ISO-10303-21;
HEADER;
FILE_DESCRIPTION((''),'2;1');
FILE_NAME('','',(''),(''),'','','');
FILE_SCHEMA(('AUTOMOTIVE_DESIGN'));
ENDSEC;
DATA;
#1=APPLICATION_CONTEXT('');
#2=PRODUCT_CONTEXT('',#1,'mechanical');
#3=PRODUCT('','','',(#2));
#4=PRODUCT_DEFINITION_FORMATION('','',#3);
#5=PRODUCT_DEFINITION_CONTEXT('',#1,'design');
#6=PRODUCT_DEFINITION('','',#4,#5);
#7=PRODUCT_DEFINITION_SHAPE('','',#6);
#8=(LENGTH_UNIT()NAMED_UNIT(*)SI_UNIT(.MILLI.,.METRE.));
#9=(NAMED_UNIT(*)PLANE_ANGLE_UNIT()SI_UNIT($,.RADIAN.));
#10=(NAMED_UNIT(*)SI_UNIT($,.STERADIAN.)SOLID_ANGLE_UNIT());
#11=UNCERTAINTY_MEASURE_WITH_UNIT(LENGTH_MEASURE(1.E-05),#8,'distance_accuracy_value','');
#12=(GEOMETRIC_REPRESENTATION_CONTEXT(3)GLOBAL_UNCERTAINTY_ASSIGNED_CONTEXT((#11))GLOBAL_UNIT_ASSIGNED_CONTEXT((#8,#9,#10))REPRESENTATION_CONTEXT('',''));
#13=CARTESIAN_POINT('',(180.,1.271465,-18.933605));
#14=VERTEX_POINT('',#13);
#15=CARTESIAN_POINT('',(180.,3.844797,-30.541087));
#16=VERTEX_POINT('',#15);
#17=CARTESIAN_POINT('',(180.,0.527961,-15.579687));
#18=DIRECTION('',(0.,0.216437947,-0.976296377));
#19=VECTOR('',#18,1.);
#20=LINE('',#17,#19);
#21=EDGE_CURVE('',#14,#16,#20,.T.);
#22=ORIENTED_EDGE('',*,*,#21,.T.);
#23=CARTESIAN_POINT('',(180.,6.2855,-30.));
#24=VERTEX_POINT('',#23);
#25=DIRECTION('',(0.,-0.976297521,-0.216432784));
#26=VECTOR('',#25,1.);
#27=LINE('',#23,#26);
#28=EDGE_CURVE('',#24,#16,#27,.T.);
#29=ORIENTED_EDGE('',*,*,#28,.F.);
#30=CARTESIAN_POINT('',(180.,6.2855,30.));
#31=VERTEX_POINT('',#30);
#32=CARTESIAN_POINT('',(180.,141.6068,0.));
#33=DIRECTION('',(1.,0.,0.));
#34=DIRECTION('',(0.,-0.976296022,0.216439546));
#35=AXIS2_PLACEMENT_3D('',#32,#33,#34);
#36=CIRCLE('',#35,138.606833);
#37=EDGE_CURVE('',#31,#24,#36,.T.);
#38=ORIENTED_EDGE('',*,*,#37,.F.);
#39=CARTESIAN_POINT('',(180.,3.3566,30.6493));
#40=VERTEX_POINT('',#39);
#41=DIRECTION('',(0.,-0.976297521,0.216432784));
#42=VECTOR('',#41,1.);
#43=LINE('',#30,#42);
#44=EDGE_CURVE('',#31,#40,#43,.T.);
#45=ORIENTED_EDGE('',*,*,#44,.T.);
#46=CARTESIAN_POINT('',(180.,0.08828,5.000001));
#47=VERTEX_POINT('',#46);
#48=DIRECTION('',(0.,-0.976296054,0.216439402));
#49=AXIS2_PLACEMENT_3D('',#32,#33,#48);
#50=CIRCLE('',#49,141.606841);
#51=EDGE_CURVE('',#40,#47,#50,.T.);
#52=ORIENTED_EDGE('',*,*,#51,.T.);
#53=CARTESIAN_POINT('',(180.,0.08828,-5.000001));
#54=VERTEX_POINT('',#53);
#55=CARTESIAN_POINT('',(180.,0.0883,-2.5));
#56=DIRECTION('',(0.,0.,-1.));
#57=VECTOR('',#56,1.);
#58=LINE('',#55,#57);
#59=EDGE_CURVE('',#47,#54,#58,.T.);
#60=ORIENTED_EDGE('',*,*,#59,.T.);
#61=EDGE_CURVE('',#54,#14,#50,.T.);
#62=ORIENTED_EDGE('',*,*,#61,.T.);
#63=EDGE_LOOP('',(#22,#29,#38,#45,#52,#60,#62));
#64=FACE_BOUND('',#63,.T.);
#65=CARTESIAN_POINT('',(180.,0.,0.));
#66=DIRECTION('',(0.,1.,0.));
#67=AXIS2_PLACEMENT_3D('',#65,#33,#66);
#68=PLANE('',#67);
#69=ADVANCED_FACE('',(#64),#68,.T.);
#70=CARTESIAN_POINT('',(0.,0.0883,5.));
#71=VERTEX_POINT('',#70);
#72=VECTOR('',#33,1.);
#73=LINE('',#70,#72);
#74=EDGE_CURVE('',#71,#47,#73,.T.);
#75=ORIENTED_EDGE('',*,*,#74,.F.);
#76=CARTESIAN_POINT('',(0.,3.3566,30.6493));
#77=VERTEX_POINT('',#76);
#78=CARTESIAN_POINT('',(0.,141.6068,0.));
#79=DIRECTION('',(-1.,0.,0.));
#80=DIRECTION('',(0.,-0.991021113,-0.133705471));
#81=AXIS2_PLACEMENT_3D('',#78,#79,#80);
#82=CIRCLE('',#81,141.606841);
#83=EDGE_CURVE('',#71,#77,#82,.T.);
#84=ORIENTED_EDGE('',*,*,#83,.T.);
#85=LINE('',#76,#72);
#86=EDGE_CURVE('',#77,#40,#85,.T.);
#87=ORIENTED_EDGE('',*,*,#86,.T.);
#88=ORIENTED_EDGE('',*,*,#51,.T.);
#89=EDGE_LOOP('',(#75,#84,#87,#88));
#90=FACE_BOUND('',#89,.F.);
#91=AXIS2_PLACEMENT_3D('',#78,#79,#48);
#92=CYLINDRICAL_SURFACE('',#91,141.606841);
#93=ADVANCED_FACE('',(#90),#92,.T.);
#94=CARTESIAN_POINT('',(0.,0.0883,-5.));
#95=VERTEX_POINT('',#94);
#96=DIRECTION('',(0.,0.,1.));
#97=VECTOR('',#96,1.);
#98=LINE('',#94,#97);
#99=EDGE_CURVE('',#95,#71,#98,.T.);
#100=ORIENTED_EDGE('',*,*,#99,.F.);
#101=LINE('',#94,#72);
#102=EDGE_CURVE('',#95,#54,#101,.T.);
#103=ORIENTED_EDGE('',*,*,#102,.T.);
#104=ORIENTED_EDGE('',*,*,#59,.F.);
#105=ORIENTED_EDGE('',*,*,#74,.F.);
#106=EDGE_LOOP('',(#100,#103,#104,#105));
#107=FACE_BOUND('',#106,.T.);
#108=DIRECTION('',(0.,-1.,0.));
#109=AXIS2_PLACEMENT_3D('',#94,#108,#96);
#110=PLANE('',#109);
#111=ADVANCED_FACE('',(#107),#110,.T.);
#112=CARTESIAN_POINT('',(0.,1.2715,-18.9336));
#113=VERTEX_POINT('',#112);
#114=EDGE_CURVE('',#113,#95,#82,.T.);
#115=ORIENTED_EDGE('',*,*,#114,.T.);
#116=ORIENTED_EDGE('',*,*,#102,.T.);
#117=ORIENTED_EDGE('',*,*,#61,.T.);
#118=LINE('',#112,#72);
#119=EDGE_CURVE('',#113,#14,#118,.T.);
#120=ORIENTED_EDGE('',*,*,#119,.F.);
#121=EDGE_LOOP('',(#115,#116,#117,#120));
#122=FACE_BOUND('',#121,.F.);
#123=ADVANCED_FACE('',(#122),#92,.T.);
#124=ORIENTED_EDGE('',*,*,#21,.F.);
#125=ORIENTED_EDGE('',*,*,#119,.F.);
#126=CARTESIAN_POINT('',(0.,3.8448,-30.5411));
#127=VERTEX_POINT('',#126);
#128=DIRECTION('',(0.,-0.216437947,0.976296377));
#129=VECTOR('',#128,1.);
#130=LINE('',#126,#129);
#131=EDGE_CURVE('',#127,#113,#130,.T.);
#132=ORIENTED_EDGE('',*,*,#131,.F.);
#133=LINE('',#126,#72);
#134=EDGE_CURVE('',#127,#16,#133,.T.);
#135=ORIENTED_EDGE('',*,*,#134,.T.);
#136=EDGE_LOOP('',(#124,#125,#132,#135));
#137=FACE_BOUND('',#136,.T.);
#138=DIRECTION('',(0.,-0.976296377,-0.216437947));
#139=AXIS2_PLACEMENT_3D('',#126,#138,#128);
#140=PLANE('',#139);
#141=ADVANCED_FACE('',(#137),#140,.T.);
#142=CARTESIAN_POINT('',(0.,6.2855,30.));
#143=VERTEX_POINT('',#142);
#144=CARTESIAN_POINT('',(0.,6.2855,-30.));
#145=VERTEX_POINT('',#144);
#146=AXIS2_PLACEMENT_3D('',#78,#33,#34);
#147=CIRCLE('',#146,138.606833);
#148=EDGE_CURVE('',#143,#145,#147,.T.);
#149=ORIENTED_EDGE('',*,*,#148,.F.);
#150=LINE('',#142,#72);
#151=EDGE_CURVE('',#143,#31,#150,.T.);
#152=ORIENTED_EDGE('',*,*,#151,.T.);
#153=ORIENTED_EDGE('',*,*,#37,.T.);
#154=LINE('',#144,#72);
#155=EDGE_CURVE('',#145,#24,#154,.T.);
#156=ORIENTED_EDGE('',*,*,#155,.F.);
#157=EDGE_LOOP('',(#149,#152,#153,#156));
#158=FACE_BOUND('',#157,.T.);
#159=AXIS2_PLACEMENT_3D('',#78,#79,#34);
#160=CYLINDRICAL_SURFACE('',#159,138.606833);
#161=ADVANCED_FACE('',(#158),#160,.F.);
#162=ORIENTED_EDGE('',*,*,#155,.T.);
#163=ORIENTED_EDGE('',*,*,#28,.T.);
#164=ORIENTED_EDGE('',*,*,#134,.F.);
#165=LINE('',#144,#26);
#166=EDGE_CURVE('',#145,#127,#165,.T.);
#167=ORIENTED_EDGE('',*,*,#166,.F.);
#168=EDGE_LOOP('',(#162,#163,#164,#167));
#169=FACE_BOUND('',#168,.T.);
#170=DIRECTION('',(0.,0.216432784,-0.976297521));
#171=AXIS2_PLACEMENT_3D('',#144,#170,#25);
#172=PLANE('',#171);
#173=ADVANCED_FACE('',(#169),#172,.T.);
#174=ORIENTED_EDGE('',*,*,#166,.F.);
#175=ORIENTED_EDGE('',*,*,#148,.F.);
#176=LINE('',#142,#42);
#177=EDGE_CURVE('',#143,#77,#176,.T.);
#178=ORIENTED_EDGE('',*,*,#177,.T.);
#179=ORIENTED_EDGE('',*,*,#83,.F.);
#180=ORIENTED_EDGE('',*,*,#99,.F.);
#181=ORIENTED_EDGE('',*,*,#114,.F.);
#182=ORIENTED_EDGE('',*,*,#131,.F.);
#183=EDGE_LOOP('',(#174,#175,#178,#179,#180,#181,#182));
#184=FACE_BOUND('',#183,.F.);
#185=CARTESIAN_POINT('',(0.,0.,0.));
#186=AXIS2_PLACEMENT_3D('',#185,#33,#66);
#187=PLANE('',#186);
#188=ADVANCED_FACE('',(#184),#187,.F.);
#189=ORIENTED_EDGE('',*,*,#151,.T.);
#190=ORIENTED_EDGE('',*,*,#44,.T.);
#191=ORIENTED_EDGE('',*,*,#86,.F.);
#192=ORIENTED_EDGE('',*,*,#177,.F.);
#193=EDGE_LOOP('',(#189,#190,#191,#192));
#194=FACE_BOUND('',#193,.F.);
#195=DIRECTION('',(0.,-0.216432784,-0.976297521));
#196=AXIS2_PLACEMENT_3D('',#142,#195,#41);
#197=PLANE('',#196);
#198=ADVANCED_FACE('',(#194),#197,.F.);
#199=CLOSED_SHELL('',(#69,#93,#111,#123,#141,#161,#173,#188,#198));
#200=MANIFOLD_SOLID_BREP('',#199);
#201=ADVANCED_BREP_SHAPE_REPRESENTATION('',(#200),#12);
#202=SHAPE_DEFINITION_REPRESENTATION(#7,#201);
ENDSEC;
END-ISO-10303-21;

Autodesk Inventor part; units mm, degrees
ref_plane "YZ Plane" through (0, 0, 0) normal (1, 0, 0) x (0, 1, 0)
ref_plane "XZ Plane" through (0, 0, 0) normal (0, 1, 0) x (-1, 0, 0)
ref_plane "XY Plane" through (0, 0, 0) normal (0, 0, 1) x (1, 0, 0)
sketch "スケッチ1" plane through (0, 0, 0) normal (1, 0, 0) x (0, 1, 0)
  arc A0 (6.2855, 30) -> (6.2855, -30) centre (141.6068, 0) ccw
  arc A1 (3.3566, 30.6493) -> (3.3566, -30.6493) centre (141.6068, 0) ccw
  line L0 (6.2855, 30) -> (3.3566, 30.6493)
  line L1 (6.2855, -30) -> (3.3566, -30.6493)
  line L2 (0, -42.909) -> (0, 42.909) projected
  point P0 (0, 0)
  point P1 (0, 0)
  dimension "d0" = 3
  dimension "d1" = 60
  dimension "d2" = 25
extrude "押し出し1" add sketch "スケッチ1" along normal blind 180
sketch "スケッチ2" plane through (0, 0, 0) normal (-1, 0, 0) x (0, 0, 1)
  arc A0 (-30.6493, 3.3566) -> (30.6493, 3.3566) centre (0, 141.6068) ccw projected
  line L0 (-30.6493, 3.3566) -> (-6.3173, -2.0376)
  line L1 (-30.6493, 3.3566) -> (-30, 6.2855) projected
  line L2 (-30.5411, 3.8448) -> (-18.9336, 1.2715)
  point P0 (0, 0)
  dimension "d5" = 0.5
extrude "押し出し2" cut sketch "スケッチ2" against normal through all
sketch "スケッチ3" plane through (0, 0, 0) normal (-1, 0, 0) x (0, 0, 1)
  line L0 (-5, 0.0883) -> (5, 0.0883)
  arc A0 (-18.9336, 1.2715) -> (30.6493, 3.3566) centre (0, 141.6068) ccw projected
  point P0 (0, 0)
  dimension "d9" = 10
extrude "押し出し3" cut sketch "スケッチ3" against normal through all
properties part number "element_2" material "CFRP"
